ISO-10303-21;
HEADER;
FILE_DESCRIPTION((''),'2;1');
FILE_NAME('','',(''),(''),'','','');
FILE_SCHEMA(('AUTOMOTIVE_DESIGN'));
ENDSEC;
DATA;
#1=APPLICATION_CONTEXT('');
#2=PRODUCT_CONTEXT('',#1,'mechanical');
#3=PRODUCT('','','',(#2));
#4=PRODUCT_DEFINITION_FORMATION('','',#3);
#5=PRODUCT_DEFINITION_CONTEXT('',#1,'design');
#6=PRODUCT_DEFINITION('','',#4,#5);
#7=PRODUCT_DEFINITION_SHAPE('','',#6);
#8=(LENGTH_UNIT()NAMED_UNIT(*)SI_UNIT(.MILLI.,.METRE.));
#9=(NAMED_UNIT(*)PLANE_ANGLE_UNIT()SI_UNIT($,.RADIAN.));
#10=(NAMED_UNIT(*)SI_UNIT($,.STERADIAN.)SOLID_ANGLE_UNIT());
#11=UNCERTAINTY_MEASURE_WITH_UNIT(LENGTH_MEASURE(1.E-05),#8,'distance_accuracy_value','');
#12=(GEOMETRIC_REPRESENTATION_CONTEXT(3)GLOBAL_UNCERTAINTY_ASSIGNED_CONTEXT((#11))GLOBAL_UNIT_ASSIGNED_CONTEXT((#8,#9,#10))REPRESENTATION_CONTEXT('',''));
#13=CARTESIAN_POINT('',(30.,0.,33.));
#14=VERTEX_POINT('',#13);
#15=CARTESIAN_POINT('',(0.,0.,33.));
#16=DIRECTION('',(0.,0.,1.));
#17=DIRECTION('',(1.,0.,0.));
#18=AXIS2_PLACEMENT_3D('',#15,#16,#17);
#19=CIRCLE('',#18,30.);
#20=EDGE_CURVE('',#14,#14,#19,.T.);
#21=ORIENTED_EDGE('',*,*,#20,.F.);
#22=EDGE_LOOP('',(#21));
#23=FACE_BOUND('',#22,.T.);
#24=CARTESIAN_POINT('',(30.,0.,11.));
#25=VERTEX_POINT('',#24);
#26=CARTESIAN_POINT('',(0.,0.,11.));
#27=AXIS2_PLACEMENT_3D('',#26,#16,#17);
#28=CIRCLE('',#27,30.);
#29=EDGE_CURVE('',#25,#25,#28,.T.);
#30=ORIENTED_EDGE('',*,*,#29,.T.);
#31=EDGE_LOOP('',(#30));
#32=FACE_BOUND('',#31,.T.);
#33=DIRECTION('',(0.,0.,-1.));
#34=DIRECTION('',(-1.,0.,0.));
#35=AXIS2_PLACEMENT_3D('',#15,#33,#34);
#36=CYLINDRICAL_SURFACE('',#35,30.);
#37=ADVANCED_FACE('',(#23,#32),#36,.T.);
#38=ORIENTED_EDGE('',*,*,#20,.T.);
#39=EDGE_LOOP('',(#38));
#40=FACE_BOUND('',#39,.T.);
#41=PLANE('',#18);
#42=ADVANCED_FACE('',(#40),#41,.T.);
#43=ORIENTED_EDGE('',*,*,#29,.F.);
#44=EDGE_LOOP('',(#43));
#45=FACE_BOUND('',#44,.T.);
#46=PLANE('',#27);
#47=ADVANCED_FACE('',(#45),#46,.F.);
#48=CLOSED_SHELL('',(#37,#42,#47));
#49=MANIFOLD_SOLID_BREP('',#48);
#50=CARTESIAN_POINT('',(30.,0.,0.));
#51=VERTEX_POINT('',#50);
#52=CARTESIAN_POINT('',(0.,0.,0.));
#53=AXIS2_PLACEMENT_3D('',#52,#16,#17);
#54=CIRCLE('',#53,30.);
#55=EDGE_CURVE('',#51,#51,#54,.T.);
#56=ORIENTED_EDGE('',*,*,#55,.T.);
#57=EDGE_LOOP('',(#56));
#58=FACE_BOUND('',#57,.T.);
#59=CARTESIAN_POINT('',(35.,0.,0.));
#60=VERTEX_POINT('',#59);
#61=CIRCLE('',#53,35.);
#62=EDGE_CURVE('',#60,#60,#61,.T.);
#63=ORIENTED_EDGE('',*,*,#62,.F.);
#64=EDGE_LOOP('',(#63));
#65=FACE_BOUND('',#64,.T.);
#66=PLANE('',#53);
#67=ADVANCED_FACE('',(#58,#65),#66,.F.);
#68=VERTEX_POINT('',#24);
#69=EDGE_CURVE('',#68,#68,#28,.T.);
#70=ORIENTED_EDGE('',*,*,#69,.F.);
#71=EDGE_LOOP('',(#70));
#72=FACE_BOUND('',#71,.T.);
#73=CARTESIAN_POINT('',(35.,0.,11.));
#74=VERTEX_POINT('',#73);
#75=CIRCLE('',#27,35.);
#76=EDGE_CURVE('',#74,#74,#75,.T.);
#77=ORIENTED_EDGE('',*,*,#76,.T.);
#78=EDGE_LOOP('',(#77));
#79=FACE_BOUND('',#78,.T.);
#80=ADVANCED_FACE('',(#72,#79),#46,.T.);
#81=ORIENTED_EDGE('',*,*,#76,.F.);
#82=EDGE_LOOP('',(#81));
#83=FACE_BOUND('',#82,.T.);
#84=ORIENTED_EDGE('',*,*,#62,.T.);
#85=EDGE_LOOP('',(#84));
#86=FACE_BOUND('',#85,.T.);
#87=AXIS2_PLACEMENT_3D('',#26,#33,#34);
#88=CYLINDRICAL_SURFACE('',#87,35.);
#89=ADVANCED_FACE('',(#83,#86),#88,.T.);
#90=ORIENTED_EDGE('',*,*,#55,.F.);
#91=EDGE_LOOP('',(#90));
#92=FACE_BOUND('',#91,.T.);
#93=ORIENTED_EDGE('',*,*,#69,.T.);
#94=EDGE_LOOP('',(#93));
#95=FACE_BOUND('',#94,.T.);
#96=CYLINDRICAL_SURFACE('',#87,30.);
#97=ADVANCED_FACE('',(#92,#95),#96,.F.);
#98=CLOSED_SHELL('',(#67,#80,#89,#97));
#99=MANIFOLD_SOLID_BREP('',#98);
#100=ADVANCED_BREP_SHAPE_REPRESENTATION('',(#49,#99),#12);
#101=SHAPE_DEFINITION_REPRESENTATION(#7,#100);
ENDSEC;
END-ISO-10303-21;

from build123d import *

# Parameters (mm, degrees)
CROQUIS2_R              = 35
CROQUIS2_R_2            = 30
SALIENTE_EXTRUIR1_DEPTH = 11
CROQUIS5_R              = 30
SALIENTE_EXTRUIR3_DEPTH = 22


with BuildPart() as part:
    # Croquis2 → Saliente-Extruir1 (new body)
    with BuildSketch(Plane.XY):
        Circle(CROQUIS2_R)
        Circle(CROQUIS2_R_2, mode=Mode.SUBTRACT)
    extrude(amount=SALIENTE_EXTRUIR1_DEPTH)


with BuildPart() as body_2:
    # Croquis5 → Saliente-Extruir3 (new body)
    with BuildSketch(Plane.XY.offset(11)):
        Circle(CROQUIS5_R)
    extrude(amount=SALIENTE_EXTRUIR3_DEPTH)


solid = Compound([part.part, body_2.part])
